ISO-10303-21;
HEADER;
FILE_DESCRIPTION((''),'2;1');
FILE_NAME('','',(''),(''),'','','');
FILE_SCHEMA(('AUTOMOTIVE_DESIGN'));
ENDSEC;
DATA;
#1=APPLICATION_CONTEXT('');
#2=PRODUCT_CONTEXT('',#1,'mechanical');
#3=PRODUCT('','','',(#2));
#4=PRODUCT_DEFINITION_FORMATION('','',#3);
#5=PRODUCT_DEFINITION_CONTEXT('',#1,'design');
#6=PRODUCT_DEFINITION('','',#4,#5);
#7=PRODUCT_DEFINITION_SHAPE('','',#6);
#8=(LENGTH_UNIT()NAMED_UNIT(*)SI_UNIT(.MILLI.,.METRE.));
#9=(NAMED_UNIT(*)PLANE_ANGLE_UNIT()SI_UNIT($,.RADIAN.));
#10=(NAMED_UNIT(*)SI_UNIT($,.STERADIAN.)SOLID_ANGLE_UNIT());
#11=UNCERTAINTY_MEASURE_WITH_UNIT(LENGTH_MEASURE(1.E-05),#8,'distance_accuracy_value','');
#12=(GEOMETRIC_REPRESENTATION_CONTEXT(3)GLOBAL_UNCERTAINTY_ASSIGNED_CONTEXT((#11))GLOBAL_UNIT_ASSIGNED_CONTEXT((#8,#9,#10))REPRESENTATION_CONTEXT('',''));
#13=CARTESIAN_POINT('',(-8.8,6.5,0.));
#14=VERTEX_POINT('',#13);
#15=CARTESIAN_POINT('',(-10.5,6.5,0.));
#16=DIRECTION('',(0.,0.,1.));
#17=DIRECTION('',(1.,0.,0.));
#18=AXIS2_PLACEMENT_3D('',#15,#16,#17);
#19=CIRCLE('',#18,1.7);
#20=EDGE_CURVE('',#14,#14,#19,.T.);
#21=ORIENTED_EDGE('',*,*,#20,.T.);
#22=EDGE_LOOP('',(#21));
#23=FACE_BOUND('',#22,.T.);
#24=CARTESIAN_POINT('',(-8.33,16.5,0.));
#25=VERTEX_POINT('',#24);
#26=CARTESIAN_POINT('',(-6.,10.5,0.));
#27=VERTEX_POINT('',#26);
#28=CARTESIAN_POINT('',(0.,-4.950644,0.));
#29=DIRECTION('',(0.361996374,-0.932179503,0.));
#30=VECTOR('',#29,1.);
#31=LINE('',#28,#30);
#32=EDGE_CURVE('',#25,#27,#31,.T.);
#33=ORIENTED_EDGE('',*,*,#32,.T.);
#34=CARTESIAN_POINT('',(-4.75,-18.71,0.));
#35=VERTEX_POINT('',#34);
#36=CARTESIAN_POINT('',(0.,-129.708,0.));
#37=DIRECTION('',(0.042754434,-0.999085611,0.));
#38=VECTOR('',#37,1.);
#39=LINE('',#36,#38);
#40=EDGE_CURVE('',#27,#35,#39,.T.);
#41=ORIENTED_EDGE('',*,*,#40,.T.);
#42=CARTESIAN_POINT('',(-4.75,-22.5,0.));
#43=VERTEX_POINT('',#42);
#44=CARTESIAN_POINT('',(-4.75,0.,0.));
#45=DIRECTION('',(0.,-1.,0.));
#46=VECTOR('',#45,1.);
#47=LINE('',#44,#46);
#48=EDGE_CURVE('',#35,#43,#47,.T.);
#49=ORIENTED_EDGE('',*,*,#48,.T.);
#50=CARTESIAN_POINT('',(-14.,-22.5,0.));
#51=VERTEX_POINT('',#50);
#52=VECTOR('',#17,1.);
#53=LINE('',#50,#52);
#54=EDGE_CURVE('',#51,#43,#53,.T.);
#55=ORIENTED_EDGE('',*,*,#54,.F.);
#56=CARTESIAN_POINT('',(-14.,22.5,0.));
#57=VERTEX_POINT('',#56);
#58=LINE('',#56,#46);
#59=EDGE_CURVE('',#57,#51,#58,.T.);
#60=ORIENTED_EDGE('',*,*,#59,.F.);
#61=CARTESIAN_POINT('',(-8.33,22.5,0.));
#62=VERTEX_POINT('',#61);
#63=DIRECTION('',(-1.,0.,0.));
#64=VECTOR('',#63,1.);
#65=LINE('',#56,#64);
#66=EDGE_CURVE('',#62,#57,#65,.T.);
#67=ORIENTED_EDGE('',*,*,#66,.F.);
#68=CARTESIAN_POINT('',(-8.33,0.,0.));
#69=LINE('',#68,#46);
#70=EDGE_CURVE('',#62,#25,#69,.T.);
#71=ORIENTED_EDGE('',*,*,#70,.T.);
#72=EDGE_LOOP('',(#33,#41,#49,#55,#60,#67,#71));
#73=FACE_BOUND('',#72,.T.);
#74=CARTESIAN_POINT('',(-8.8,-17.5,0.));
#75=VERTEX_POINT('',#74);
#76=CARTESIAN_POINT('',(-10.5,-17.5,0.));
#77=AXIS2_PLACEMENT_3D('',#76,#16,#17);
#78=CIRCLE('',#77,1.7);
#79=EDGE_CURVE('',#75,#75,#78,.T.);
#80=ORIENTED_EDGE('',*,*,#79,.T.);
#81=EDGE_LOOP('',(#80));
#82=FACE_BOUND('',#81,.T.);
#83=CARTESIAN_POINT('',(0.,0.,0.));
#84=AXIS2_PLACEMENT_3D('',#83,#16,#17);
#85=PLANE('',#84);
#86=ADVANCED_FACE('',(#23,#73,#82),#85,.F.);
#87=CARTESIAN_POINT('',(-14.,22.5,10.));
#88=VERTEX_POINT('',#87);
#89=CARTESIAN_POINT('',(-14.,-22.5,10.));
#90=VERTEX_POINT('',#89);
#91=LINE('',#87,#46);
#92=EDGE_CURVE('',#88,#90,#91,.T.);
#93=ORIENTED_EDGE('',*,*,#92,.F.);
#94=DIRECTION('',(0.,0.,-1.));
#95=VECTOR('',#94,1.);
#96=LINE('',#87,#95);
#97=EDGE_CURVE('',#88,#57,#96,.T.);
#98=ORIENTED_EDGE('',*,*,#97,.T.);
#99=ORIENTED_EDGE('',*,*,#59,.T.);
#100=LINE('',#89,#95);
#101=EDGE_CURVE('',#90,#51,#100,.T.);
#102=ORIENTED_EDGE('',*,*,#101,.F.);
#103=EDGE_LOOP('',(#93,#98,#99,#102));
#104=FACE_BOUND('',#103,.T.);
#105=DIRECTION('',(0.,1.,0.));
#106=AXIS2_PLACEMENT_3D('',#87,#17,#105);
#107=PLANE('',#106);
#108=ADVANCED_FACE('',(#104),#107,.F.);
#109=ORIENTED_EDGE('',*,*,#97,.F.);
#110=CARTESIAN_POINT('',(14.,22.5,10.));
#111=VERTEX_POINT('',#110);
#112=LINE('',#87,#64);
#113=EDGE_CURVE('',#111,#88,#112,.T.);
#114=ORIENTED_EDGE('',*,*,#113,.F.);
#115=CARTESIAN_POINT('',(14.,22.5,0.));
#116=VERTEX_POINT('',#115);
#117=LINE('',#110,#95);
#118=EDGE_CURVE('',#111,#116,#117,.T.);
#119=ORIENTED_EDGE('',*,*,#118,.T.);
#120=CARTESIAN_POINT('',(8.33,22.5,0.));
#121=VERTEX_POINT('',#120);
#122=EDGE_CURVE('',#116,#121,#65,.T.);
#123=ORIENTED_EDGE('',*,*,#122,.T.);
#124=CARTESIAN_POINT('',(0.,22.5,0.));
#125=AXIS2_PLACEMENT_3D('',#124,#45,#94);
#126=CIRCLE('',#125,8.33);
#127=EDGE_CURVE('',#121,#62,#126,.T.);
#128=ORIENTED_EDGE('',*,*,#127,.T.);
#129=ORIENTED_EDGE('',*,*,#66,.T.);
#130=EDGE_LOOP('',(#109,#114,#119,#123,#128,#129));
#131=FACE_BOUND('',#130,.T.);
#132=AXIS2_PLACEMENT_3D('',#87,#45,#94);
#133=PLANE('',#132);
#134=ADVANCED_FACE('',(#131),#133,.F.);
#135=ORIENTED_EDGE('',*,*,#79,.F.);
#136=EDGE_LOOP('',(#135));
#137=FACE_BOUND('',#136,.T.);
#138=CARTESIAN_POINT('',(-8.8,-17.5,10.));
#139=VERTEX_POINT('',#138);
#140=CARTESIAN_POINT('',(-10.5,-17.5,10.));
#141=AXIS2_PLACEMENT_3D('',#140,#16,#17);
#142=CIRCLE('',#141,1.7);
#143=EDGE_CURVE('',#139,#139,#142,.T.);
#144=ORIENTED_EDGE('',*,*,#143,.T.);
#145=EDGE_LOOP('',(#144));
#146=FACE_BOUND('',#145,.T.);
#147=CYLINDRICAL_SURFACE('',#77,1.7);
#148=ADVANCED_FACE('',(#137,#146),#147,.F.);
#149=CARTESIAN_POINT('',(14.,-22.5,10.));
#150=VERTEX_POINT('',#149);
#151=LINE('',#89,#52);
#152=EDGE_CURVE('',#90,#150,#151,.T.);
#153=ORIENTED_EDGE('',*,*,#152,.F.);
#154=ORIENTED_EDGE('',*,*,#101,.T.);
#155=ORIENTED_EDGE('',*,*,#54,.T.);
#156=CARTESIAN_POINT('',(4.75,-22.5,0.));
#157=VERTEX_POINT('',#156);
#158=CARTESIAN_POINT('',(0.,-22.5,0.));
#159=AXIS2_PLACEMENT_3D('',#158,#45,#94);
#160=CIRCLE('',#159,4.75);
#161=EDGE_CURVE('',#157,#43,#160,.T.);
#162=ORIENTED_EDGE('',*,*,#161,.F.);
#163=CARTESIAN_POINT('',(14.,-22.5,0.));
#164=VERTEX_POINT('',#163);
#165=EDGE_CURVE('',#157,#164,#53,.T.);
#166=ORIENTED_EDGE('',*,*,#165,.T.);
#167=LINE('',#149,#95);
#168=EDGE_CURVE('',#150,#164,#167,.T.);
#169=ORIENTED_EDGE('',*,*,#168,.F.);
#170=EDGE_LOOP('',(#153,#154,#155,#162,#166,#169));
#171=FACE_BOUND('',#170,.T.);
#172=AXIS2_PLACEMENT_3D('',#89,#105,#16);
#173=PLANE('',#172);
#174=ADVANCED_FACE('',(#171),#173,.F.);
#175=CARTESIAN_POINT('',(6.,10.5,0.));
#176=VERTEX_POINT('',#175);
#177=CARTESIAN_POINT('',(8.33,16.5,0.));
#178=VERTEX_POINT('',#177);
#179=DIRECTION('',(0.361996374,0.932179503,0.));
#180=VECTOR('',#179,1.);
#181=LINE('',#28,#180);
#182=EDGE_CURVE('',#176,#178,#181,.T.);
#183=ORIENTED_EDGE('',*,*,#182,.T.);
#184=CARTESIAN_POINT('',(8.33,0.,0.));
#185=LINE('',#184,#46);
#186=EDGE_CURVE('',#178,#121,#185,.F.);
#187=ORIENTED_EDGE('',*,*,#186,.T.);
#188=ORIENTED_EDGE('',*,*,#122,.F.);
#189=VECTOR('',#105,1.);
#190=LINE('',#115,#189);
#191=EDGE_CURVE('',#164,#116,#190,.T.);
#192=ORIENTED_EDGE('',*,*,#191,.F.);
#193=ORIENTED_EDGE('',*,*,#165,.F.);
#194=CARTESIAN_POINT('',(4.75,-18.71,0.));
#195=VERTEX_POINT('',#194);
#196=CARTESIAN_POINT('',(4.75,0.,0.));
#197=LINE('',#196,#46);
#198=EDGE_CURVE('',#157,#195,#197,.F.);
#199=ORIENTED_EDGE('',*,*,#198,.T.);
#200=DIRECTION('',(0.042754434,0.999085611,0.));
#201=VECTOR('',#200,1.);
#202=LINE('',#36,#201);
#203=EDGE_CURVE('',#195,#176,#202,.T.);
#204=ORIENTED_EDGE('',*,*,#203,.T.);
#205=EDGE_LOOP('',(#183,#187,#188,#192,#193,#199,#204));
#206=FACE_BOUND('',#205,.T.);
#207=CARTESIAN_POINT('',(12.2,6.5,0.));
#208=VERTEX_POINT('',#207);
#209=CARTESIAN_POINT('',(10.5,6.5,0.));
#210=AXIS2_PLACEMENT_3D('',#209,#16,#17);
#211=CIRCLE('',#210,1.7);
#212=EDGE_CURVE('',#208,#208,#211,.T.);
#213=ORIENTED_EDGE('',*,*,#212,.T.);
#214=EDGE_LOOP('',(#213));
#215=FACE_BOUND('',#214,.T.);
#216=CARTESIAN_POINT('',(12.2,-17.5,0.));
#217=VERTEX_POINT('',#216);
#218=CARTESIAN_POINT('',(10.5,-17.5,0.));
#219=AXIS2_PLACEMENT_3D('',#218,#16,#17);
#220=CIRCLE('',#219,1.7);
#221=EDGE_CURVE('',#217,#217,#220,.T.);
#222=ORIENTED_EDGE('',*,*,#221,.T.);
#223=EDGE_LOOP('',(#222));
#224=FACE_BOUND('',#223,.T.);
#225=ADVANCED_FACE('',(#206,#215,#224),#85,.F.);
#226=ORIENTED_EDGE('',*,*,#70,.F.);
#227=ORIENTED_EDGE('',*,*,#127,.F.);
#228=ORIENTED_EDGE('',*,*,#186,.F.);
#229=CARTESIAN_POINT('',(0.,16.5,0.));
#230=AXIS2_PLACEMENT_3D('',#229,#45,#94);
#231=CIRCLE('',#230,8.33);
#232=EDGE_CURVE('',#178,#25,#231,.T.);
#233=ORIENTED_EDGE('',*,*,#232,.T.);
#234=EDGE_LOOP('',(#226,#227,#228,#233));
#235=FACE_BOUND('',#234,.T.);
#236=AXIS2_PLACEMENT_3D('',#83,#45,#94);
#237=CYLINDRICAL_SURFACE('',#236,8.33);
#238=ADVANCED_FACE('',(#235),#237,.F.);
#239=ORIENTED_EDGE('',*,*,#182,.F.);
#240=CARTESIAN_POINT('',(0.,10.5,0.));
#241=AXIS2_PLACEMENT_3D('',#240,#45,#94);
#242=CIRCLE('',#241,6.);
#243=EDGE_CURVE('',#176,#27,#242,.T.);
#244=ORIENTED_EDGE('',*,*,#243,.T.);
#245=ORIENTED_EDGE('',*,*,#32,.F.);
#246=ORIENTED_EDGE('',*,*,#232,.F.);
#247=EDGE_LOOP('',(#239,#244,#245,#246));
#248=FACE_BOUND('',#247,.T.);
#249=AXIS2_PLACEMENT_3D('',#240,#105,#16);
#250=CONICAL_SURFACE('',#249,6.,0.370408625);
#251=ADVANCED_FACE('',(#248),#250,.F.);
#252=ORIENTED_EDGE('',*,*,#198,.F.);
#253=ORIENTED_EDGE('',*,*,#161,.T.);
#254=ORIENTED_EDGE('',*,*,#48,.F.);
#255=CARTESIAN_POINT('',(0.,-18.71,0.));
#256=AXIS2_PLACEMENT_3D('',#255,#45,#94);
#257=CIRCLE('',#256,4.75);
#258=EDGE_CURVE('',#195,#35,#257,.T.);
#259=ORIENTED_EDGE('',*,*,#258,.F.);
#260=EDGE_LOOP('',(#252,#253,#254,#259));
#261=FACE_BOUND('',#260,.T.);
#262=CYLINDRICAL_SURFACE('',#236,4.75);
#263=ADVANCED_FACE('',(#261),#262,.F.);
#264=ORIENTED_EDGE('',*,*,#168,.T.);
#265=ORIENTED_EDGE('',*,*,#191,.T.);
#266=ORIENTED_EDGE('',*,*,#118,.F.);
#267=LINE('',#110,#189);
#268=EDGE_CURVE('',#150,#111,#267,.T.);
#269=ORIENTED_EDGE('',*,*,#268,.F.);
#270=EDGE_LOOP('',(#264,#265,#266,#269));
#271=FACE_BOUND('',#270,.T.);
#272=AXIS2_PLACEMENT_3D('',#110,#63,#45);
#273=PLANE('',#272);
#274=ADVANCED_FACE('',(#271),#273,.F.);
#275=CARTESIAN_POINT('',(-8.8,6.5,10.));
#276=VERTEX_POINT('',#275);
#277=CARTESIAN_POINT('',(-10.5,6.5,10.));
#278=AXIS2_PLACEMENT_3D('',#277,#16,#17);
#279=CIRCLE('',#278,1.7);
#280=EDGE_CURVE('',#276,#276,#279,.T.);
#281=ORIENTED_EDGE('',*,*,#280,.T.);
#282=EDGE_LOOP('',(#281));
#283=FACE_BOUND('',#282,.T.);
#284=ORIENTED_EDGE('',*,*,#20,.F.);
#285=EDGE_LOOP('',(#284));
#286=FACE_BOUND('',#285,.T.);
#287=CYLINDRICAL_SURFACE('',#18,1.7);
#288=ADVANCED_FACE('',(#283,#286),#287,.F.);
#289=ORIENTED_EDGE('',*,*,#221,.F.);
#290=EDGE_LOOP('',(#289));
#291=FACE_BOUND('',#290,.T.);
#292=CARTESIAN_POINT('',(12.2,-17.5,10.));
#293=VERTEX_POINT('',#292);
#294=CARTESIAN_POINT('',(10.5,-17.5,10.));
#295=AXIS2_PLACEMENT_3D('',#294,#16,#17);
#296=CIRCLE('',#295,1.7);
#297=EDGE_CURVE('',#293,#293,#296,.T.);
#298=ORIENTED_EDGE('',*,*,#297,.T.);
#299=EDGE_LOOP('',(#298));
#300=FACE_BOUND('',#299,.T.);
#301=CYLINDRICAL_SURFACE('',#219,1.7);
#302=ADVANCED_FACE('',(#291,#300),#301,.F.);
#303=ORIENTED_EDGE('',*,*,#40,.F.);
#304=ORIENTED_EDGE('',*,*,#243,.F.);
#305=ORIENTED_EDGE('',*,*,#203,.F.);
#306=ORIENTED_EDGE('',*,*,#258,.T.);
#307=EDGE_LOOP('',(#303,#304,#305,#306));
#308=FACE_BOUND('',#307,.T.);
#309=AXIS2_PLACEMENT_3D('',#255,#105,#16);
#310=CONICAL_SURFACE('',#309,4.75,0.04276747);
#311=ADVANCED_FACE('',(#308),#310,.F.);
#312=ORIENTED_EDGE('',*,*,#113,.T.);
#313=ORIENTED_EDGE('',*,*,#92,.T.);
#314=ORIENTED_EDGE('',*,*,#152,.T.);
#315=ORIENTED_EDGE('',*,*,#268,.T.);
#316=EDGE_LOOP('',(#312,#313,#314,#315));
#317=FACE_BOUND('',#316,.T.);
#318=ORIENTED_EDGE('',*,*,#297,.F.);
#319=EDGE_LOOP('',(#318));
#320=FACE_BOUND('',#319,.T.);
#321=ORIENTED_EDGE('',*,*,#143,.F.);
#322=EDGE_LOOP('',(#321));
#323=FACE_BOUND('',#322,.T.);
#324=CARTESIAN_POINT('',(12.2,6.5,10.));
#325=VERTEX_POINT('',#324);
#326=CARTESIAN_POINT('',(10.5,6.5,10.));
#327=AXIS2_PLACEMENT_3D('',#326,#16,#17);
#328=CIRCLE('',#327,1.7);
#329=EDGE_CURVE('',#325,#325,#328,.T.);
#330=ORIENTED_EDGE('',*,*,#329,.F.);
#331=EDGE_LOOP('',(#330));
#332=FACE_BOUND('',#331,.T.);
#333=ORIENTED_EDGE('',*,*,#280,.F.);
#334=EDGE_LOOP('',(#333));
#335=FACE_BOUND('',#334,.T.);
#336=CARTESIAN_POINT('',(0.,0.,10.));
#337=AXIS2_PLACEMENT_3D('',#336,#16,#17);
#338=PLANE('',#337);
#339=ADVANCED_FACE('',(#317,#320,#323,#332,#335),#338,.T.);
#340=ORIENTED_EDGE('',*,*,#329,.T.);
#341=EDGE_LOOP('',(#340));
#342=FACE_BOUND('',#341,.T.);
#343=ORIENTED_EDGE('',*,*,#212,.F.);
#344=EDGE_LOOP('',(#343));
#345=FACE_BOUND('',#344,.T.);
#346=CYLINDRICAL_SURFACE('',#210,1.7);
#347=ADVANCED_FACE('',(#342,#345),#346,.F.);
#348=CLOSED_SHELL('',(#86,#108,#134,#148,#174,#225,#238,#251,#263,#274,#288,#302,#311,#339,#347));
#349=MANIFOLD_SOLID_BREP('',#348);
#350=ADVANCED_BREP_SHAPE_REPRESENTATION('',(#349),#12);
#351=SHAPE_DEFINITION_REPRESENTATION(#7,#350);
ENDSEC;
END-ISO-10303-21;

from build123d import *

# Parameters (mm, degrees)
SKETCH4_W           = 28
SKETCH4_H           = 45
BOSS_EXTRUDE2_DEPTH = 10
SKETCH6_R           = 1.7
CUT_EXTRUDE1_DEPTH  = 29.324018077


with BuildPart() as part:
    # Sketch4 → Boss-Extrude2 (new body)
    with BuildSketch(Plane.XY):
        Rectangle(SKETCH4_W, SKETCH4_H)
    extrude(amount=BOSS_EXTRUDE2_DEPTH)

    # Sketch5 → Cut-Revolve1 (revolve, cut)
    with BuildSketch(Plane.XY):
        Polygon((0, 22.5), (8.33, 22.5), (8.33, 16.5), (6, 10.5), (4.75, -18.71), (4.75, -22.5), (0, -22.5), align=None)
    revolve(axis=Axis((0, 0, 0), (0, 1, 0)), mode=Mode.SUBTRACT)

    # Sketch6 → Cut-Extrude1 (cut, through all)
    with BuildSketch(Plane.XY.offset(10)):
        with Locations((-10.5, 6.5)):
            Circle(SKETCH6_R)
        with Locations((-10.5, -17.5)):
            Circle(SKETCH6_R)
        with Locations((10.5, 6.5)):
            Circle(SKETCH6_R)
        with Locations((10.5, -17.5)):
            Circle(SKETCH6_R)
    extrude(amount=-CUT_EXTRUDE1_DEPTH, mode=Mode.SUBTRACT)


solid = part.part
